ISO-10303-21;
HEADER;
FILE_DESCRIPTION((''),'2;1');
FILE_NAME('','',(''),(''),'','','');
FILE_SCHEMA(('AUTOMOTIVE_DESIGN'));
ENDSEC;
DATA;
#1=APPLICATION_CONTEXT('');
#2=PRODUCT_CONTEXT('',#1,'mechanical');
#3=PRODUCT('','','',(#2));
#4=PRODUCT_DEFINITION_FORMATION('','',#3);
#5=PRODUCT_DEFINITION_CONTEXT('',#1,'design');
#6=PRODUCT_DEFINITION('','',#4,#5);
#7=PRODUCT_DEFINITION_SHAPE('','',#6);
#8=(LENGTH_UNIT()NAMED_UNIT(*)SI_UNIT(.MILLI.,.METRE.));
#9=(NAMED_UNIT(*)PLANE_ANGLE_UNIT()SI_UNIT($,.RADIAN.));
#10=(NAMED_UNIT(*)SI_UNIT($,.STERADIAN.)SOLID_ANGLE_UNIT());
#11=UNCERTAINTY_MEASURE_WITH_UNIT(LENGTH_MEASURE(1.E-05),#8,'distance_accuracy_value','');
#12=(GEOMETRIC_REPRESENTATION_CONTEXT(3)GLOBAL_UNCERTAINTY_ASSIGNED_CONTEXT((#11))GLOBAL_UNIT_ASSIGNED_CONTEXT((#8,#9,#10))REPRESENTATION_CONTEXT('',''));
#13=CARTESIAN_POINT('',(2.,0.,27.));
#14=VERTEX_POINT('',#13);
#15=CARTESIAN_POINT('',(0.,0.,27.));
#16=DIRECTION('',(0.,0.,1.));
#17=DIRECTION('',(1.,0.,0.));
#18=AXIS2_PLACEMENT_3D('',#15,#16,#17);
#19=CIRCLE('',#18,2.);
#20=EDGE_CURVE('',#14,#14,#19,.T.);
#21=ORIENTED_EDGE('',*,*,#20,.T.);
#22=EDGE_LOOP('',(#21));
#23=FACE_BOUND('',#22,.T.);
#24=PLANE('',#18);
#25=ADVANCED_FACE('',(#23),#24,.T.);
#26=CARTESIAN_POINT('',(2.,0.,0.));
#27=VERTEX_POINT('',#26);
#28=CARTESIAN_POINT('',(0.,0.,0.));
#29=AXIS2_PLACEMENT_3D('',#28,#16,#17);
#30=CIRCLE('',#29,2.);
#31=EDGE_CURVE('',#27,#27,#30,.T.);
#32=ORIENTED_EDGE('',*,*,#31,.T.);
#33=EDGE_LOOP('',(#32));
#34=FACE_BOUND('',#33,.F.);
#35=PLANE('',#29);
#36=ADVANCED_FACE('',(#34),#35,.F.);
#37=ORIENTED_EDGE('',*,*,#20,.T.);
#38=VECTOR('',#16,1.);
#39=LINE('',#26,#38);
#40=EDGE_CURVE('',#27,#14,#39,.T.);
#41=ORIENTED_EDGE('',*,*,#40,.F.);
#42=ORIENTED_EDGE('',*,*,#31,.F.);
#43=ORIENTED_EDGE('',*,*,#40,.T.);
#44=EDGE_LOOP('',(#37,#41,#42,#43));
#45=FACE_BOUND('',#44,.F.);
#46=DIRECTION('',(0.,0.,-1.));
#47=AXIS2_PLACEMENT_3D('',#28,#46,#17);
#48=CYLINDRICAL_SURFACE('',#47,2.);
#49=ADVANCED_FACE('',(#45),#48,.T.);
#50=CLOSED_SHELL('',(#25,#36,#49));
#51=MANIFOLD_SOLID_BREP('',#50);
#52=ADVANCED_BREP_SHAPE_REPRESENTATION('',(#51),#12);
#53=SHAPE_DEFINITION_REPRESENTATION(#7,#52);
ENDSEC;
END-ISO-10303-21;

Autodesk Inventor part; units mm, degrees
ref_plane "YZ Plane" through (0, 0, 0) normal (1, 0, 0) x (0, 1, 0)
ref_plane "XZ Plane" through (0, 0, 0) normal (0, 1, 0) x (-1, 0, 0)
ref_plane "XY Plane" through (0, 0, 0) normal (0, 0, 1) x (1, 0, 0)
sketch "Sketch1" plane through (0, 0, 0) normal (0, 0, 1) x (1, 0, 0)
  circle A0 centre (0, 0) radius 2
  dimension "d0" = 4
extrude "Extrusion1" add sketch "Sketch1" along normal blind 27
thread "Thread1" size "M4x0.7" class "6g" standard "ANSI Metric M Profile" full length
properties part number "support rods" material "UHMW, Black"
